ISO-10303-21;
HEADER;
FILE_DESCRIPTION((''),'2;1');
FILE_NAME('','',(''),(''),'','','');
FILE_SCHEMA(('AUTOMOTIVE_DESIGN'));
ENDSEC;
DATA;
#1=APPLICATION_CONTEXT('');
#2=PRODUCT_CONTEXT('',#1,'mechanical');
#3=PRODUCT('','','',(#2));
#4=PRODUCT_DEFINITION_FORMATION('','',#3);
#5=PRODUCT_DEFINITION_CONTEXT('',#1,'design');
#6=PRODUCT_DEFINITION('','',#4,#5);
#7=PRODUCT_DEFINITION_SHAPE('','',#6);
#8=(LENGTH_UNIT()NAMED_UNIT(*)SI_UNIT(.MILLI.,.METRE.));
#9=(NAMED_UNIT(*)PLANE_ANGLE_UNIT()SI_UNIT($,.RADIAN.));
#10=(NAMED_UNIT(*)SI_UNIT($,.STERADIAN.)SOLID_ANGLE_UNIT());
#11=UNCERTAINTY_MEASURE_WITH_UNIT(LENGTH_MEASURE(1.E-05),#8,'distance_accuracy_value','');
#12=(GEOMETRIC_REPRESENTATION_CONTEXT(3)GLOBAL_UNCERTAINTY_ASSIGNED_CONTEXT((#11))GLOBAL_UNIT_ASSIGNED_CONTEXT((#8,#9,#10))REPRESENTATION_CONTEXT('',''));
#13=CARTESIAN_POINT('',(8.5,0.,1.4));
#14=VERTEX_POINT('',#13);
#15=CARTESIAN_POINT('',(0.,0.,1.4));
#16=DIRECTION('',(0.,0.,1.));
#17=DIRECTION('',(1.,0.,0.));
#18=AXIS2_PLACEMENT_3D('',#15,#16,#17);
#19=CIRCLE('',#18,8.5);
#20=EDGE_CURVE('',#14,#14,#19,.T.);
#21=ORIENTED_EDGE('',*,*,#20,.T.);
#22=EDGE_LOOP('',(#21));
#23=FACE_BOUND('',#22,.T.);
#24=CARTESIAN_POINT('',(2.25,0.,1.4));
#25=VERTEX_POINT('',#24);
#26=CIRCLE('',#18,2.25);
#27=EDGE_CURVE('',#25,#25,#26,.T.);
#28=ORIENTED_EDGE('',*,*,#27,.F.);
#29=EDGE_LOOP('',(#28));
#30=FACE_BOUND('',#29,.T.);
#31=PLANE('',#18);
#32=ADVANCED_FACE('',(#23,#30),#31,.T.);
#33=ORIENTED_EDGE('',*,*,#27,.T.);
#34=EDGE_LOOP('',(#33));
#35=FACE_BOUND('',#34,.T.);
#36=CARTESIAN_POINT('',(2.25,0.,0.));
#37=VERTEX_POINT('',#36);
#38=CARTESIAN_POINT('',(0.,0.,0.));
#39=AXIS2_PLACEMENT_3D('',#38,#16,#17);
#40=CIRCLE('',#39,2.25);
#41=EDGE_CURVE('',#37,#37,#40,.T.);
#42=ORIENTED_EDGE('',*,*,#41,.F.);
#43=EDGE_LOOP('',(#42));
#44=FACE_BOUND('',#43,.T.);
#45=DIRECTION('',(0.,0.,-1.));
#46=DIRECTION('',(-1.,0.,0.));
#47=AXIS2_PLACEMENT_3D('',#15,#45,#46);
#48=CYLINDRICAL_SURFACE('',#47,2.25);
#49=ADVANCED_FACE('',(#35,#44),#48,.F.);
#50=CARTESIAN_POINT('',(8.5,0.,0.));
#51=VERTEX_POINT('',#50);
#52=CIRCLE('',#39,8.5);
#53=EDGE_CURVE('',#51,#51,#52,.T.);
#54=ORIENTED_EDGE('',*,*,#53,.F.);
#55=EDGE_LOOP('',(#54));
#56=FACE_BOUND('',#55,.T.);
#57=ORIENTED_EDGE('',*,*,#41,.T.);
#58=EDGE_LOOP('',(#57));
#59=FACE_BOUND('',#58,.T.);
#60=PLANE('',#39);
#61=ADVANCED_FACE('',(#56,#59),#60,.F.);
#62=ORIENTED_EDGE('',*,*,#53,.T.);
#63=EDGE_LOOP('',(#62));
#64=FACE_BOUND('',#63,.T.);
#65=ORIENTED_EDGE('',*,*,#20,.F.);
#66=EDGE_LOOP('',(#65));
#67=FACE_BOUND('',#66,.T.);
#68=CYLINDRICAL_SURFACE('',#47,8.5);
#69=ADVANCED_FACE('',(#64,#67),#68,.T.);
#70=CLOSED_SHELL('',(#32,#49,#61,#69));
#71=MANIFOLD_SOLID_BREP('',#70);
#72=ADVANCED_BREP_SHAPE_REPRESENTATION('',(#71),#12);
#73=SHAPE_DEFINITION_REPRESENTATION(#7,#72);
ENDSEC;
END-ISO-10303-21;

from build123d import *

# Parameters (mm, degrees)
SKICA1_R                = 8.5
SKICA1_R_2              = 2.25
P_IDAT_VYSUNUT_M1_DEPTH = 1.4


with BuildPart() as part:
    # Skica1 → Přidat vysunutím1 (new body)
    with BuildSketch(Plane.XY):
        Circle(SKICA1_R)
        Circle(SKICA1_R_2, mode=Mode.SUBTRACT)
    extrude(amount=P_IDAT_VYSUNUT_M1_DEPTH)


solid = part.part
